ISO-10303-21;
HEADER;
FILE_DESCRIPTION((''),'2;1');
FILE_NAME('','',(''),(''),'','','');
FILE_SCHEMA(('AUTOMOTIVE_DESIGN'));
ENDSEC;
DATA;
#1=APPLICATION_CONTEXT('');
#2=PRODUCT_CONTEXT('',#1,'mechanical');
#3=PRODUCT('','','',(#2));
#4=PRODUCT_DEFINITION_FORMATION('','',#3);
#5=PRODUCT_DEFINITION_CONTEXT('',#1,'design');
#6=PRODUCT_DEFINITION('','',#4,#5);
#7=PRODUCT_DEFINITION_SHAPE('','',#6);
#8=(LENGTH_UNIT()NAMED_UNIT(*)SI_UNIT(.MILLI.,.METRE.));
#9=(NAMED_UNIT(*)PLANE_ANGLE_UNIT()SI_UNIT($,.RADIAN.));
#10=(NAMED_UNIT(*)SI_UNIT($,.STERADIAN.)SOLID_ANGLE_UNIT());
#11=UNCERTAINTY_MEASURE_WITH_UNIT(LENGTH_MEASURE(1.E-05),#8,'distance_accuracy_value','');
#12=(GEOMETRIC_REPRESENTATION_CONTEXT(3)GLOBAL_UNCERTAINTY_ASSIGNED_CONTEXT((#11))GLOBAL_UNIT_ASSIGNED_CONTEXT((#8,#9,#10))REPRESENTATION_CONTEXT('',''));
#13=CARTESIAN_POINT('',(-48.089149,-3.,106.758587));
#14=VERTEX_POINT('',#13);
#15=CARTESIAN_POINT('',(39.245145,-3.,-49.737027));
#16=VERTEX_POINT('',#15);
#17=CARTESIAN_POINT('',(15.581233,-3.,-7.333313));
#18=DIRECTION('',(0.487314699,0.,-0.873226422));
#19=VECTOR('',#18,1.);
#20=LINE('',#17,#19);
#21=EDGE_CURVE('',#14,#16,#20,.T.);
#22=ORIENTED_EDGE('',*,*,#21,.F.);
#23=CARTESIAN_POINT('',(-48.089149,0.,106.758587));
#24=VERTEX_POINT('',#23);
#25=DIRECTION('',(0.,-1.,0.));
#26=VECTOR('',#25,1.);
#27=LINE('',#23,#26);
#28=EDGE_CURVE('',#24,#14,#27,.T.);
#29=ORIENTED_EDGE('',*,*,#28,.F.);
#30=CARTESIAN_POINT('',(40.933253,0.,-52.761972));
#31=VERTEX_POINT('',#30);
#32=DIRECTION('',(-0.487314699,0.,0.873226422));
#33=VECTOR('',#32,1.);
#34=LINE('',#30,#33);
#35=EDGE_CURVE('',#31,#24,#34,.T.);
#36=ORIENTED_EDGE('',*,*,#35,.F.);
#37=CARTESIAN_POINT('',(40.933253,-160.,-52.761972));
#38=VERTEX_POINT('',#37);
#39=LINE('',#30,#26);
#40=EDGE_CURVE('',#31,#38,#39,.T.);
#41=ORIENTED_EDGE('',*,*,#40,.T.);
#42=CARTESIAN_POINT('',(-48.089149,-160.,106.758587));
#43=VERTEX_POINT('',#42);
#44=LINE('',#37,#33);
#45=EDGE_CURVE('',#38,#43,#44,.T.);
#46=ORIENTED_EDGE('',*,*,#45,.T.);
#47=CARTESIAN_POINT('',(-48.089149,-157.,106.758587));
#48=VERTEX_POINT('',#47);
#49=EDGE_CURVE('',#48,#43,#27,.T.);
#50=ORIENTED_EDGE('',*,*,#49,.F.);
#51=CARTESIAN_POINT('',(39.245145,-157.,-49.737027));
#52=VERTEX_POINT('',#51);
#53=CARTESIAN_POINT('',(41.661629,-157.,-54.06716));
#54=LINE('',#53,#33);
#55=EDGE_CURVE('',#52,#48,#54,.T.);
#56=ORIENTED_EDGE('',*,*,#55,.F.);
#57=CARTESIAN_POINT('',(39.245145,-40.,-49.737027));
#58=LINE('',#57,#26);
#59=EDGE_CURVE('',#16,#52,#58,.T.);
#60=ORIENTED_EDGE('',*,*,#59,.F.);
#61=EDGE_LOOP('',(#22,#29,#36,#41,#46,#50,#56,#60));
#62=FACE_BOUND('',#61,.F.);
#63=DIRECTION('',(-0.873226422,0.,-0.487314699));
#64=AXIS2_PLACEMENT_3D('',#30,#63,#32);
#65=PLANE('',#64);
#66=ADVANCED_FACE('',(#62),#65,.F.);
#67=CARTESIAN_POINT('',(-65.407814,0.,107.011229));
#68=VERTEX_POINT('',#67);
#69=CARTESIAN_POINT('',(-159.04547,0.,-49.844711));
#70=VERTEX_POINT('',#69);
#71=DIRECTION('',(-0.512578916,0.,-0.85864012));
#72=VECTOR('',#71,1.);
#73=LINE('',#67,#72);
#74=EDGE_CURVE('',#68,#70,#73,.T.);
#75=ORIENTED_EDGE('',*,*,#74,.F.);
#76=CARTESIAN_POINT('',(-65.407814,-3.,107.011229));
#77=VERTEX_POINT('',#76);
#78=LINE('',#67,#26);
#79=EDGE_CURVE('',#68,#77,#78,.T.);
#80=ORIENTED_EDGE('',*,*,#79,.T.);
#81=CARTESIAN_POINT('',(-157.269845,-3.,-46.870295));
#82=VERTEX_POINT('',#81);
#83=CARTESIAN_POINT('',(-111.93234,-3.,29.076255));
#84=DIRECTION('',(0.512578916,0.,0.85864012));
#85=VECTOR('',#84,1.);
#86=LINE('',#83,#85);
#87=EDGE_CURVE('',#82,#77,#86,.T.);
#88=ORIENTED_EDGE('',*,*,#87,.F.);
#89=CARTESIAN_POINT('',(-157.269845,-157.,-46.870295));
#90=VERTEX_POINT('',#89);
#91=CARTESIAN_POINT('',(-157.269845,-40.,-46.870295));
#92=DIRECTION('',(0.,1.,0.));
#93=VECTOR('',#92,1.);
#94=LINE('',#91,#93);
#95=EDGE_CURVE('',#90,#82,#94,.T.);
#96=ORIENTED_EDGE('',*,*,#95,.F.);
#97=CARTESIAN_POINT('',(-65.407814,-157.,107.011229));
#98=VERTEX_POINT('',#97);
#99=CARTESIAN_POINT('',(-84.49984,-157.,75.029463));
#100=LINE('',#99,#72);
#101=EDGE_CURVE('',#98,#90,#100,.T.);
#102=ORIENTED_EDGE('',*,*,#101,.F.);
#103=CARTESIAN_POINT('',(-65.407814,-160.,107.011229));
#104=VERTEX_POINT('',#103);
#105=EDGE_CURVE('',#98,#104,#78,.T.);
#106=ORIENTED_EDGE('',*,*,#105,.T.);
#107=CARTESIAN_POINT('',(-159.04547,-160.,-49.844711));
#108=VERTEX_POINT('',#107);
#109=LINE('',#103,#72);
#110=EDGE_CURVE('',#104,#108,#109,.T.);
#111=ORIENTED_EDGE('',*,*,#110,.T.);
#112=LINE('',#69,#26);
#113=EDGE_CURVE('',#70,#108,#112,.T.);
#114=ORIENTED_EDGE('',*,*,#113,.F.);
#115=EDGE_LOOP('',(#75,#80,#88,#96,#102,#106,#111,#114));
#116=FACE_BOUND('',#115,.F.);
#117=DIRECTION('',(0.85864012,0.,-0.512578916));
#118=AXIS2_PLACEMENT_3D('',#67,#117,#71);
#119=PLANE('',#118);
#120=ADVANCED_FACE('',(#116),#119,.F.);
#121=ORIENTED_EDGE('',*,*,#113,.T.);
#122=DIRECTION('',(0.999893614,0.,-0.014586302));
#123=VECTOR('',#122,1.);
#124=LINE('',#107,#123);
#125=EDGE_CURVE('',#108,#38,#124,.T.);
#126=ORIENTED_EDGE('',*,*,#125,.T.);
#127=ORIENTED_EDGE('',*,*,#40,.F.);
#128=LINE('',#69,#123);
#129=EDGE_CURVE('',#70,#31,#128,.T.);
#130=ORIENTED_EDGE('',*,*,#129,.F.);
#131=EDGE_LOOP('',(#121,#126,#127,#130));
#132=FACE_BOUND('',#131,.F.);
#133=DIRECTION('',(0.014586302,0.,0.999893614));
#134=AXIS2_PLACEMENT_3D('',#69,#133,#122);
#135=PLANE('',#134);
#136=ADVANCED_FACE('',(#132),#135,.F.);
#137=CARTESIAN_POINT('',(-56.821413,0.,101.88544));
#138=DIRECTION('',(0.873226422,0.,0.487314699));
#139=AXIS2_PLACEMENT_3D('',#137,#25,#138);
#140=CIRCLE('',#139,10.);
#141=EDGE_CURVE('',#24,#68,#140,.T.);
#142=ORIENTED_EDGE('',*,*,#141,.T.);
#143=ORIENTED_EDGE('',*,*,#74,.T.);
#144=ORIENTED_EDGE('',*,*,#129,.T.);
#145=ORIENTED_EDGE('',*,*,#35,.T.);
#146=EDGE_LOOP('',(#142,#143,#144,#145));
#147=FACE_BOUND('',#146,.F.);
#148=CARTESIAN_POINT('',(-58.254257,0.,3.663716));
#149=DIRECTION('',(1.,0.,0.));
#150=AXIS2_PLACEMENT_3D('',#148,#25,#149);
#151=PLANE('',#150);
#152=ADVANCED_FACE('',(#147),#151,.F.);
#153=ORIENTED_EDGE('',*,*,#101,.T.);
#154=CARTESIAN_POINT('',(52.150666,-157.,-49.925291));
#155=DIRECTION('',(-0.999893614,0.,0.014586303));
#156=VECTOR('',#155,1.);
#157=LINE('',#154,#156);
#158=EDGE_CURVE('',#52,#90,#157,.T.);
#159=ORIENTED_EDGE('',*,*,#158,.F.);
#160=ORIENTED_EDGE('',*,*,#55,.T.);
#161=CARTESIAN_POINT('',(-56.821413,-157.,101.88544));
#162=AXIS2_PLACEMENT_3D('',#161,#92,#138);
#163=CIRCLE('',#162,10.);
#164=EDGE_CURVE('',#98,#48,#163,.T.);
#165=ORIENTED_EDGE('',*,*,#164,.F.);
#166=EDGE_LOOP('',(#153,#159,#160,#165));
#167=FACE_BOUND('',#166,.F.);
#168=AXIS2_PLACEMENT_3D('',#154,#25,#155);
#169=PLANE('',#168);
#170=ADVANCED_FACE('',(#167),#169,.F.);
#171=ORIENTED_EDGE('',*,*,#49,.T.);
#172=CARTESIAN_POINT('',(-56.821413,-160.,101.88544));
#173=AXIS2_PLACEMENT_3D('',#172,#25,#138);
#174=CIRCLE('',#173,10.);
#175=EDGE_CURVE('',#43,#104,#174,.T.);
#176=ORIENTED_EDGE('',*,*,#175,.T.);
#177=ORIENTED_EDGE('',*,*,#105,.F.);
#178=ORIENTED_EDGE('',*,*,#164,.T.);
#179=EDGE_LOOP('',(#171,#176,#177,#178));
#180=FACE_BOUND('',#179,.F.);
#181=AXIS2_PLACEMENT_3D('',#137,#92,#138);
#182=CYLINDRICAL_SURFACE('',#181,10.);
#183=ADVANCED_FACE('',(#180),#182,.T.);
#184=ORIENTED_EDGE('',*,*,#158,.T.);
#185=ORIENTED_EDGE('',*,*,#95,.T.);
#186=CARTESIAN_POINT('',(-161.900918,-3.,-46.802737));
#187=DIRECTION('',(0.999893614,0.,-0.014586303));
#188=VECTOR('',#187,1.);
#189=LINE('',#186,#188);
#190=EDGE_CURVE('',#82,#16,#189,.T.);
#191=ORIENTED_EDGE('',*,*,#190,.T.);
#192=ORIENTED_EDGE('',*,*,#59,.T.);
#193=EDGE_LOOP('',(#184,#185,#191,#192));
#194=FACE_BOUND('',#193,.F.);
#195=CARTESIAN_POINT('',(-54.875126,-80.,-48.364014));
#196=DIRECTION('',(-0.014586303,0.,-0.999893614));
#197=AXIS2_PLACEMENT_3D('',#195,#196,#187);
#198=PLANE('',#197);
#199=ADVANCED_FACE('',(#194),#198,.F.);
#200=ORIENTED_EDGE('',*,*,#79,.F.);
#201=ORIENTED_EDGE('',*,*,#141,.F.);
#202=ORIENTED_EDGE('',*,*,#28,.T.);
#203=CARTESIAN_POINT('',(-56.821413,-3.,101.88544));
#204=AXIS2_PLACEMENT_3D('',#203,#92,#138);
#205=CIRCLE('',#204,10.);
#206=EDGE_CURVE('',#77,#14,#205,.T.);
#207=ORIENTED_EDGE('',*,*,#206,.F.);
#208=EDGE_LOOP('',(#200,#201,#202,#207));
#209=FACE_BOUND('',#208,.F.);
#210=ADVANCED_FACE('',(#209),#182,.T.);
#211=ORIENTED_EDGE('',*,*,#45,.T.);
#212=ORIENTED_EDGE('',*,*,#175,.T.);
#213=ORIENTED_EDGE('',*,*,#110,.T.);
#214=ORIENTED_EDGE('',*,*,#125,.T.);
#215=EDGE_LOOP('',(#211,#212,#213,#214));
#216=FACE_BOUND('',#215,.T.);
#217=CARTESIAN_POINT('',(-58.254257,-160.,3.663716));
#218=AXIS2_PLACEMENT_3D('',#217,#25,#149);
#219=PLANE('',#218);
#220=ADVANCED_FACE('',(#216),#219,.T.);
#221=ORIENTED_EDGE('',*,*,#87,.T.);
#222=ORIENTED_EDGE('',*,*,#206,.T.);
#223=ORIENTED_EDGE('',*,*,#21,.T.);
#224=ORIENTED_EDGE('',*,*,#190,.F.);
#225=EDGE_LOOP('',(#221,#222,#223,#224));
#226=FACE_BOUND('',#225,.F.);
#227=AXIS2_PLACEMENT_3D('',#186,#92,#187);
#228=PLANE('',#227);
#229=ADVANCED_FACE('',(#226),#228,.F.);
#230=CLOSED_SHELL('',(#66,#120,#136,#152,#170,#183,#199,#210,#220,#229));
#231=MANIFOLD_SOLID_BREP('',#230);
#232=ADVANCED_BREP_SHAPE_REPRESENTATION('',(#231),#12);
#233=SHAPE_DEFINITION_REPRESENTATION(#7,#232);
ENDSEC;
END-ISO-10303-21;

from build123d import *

# Parameters (mm, degrees)
F1_DEPTH = 160
F4_DEPTH = 184


with BuildPart() as f1:
    # F0 (on Front) → F1 (new body)
    with BuildSketch(Plane.XZ):
        with BuildLine():
            Line((40.9332527794, -52.7619718481), (-48.0891487754, 106.7585873007))
            ThreePointArc((-48.0891487754, 106.7585873007), (-56.6755499732, 111.8843764566), (-65.4078141956, 107.0112294702))
            Line((-65.4078141956, 107.0112294702), (-159.0454700669, -49.8447113565))
            Line((-159.0454700669, -49.8447113565), (40.9332527794, -52.7619718481))
        make_face()
    extrude(amount=F1_DEPTH)

    # F3 (on offset) → F4 (cut)
    with BuildSketch(Plane(origin=(-0.7170523297, 0, -49.1540640703), x_dir=(0.9998936142, 0, -0.0145863025), z_dir=(-0.0145863025, 0, -0.9998936142))):
        Polygon((-161.2010151148, 3), (-155.3014998566, 3), (38.6985001434, 3), (52.8733432293, 3), (52.8733432293, 157), (38.6985001434, 157), (-155.3014998566, 157), (-161.2010151148, 157), align=None)
    extrude(amount=-F4_DEPTH, mode=Mode.SUBTRACT)


solid = f1.part
